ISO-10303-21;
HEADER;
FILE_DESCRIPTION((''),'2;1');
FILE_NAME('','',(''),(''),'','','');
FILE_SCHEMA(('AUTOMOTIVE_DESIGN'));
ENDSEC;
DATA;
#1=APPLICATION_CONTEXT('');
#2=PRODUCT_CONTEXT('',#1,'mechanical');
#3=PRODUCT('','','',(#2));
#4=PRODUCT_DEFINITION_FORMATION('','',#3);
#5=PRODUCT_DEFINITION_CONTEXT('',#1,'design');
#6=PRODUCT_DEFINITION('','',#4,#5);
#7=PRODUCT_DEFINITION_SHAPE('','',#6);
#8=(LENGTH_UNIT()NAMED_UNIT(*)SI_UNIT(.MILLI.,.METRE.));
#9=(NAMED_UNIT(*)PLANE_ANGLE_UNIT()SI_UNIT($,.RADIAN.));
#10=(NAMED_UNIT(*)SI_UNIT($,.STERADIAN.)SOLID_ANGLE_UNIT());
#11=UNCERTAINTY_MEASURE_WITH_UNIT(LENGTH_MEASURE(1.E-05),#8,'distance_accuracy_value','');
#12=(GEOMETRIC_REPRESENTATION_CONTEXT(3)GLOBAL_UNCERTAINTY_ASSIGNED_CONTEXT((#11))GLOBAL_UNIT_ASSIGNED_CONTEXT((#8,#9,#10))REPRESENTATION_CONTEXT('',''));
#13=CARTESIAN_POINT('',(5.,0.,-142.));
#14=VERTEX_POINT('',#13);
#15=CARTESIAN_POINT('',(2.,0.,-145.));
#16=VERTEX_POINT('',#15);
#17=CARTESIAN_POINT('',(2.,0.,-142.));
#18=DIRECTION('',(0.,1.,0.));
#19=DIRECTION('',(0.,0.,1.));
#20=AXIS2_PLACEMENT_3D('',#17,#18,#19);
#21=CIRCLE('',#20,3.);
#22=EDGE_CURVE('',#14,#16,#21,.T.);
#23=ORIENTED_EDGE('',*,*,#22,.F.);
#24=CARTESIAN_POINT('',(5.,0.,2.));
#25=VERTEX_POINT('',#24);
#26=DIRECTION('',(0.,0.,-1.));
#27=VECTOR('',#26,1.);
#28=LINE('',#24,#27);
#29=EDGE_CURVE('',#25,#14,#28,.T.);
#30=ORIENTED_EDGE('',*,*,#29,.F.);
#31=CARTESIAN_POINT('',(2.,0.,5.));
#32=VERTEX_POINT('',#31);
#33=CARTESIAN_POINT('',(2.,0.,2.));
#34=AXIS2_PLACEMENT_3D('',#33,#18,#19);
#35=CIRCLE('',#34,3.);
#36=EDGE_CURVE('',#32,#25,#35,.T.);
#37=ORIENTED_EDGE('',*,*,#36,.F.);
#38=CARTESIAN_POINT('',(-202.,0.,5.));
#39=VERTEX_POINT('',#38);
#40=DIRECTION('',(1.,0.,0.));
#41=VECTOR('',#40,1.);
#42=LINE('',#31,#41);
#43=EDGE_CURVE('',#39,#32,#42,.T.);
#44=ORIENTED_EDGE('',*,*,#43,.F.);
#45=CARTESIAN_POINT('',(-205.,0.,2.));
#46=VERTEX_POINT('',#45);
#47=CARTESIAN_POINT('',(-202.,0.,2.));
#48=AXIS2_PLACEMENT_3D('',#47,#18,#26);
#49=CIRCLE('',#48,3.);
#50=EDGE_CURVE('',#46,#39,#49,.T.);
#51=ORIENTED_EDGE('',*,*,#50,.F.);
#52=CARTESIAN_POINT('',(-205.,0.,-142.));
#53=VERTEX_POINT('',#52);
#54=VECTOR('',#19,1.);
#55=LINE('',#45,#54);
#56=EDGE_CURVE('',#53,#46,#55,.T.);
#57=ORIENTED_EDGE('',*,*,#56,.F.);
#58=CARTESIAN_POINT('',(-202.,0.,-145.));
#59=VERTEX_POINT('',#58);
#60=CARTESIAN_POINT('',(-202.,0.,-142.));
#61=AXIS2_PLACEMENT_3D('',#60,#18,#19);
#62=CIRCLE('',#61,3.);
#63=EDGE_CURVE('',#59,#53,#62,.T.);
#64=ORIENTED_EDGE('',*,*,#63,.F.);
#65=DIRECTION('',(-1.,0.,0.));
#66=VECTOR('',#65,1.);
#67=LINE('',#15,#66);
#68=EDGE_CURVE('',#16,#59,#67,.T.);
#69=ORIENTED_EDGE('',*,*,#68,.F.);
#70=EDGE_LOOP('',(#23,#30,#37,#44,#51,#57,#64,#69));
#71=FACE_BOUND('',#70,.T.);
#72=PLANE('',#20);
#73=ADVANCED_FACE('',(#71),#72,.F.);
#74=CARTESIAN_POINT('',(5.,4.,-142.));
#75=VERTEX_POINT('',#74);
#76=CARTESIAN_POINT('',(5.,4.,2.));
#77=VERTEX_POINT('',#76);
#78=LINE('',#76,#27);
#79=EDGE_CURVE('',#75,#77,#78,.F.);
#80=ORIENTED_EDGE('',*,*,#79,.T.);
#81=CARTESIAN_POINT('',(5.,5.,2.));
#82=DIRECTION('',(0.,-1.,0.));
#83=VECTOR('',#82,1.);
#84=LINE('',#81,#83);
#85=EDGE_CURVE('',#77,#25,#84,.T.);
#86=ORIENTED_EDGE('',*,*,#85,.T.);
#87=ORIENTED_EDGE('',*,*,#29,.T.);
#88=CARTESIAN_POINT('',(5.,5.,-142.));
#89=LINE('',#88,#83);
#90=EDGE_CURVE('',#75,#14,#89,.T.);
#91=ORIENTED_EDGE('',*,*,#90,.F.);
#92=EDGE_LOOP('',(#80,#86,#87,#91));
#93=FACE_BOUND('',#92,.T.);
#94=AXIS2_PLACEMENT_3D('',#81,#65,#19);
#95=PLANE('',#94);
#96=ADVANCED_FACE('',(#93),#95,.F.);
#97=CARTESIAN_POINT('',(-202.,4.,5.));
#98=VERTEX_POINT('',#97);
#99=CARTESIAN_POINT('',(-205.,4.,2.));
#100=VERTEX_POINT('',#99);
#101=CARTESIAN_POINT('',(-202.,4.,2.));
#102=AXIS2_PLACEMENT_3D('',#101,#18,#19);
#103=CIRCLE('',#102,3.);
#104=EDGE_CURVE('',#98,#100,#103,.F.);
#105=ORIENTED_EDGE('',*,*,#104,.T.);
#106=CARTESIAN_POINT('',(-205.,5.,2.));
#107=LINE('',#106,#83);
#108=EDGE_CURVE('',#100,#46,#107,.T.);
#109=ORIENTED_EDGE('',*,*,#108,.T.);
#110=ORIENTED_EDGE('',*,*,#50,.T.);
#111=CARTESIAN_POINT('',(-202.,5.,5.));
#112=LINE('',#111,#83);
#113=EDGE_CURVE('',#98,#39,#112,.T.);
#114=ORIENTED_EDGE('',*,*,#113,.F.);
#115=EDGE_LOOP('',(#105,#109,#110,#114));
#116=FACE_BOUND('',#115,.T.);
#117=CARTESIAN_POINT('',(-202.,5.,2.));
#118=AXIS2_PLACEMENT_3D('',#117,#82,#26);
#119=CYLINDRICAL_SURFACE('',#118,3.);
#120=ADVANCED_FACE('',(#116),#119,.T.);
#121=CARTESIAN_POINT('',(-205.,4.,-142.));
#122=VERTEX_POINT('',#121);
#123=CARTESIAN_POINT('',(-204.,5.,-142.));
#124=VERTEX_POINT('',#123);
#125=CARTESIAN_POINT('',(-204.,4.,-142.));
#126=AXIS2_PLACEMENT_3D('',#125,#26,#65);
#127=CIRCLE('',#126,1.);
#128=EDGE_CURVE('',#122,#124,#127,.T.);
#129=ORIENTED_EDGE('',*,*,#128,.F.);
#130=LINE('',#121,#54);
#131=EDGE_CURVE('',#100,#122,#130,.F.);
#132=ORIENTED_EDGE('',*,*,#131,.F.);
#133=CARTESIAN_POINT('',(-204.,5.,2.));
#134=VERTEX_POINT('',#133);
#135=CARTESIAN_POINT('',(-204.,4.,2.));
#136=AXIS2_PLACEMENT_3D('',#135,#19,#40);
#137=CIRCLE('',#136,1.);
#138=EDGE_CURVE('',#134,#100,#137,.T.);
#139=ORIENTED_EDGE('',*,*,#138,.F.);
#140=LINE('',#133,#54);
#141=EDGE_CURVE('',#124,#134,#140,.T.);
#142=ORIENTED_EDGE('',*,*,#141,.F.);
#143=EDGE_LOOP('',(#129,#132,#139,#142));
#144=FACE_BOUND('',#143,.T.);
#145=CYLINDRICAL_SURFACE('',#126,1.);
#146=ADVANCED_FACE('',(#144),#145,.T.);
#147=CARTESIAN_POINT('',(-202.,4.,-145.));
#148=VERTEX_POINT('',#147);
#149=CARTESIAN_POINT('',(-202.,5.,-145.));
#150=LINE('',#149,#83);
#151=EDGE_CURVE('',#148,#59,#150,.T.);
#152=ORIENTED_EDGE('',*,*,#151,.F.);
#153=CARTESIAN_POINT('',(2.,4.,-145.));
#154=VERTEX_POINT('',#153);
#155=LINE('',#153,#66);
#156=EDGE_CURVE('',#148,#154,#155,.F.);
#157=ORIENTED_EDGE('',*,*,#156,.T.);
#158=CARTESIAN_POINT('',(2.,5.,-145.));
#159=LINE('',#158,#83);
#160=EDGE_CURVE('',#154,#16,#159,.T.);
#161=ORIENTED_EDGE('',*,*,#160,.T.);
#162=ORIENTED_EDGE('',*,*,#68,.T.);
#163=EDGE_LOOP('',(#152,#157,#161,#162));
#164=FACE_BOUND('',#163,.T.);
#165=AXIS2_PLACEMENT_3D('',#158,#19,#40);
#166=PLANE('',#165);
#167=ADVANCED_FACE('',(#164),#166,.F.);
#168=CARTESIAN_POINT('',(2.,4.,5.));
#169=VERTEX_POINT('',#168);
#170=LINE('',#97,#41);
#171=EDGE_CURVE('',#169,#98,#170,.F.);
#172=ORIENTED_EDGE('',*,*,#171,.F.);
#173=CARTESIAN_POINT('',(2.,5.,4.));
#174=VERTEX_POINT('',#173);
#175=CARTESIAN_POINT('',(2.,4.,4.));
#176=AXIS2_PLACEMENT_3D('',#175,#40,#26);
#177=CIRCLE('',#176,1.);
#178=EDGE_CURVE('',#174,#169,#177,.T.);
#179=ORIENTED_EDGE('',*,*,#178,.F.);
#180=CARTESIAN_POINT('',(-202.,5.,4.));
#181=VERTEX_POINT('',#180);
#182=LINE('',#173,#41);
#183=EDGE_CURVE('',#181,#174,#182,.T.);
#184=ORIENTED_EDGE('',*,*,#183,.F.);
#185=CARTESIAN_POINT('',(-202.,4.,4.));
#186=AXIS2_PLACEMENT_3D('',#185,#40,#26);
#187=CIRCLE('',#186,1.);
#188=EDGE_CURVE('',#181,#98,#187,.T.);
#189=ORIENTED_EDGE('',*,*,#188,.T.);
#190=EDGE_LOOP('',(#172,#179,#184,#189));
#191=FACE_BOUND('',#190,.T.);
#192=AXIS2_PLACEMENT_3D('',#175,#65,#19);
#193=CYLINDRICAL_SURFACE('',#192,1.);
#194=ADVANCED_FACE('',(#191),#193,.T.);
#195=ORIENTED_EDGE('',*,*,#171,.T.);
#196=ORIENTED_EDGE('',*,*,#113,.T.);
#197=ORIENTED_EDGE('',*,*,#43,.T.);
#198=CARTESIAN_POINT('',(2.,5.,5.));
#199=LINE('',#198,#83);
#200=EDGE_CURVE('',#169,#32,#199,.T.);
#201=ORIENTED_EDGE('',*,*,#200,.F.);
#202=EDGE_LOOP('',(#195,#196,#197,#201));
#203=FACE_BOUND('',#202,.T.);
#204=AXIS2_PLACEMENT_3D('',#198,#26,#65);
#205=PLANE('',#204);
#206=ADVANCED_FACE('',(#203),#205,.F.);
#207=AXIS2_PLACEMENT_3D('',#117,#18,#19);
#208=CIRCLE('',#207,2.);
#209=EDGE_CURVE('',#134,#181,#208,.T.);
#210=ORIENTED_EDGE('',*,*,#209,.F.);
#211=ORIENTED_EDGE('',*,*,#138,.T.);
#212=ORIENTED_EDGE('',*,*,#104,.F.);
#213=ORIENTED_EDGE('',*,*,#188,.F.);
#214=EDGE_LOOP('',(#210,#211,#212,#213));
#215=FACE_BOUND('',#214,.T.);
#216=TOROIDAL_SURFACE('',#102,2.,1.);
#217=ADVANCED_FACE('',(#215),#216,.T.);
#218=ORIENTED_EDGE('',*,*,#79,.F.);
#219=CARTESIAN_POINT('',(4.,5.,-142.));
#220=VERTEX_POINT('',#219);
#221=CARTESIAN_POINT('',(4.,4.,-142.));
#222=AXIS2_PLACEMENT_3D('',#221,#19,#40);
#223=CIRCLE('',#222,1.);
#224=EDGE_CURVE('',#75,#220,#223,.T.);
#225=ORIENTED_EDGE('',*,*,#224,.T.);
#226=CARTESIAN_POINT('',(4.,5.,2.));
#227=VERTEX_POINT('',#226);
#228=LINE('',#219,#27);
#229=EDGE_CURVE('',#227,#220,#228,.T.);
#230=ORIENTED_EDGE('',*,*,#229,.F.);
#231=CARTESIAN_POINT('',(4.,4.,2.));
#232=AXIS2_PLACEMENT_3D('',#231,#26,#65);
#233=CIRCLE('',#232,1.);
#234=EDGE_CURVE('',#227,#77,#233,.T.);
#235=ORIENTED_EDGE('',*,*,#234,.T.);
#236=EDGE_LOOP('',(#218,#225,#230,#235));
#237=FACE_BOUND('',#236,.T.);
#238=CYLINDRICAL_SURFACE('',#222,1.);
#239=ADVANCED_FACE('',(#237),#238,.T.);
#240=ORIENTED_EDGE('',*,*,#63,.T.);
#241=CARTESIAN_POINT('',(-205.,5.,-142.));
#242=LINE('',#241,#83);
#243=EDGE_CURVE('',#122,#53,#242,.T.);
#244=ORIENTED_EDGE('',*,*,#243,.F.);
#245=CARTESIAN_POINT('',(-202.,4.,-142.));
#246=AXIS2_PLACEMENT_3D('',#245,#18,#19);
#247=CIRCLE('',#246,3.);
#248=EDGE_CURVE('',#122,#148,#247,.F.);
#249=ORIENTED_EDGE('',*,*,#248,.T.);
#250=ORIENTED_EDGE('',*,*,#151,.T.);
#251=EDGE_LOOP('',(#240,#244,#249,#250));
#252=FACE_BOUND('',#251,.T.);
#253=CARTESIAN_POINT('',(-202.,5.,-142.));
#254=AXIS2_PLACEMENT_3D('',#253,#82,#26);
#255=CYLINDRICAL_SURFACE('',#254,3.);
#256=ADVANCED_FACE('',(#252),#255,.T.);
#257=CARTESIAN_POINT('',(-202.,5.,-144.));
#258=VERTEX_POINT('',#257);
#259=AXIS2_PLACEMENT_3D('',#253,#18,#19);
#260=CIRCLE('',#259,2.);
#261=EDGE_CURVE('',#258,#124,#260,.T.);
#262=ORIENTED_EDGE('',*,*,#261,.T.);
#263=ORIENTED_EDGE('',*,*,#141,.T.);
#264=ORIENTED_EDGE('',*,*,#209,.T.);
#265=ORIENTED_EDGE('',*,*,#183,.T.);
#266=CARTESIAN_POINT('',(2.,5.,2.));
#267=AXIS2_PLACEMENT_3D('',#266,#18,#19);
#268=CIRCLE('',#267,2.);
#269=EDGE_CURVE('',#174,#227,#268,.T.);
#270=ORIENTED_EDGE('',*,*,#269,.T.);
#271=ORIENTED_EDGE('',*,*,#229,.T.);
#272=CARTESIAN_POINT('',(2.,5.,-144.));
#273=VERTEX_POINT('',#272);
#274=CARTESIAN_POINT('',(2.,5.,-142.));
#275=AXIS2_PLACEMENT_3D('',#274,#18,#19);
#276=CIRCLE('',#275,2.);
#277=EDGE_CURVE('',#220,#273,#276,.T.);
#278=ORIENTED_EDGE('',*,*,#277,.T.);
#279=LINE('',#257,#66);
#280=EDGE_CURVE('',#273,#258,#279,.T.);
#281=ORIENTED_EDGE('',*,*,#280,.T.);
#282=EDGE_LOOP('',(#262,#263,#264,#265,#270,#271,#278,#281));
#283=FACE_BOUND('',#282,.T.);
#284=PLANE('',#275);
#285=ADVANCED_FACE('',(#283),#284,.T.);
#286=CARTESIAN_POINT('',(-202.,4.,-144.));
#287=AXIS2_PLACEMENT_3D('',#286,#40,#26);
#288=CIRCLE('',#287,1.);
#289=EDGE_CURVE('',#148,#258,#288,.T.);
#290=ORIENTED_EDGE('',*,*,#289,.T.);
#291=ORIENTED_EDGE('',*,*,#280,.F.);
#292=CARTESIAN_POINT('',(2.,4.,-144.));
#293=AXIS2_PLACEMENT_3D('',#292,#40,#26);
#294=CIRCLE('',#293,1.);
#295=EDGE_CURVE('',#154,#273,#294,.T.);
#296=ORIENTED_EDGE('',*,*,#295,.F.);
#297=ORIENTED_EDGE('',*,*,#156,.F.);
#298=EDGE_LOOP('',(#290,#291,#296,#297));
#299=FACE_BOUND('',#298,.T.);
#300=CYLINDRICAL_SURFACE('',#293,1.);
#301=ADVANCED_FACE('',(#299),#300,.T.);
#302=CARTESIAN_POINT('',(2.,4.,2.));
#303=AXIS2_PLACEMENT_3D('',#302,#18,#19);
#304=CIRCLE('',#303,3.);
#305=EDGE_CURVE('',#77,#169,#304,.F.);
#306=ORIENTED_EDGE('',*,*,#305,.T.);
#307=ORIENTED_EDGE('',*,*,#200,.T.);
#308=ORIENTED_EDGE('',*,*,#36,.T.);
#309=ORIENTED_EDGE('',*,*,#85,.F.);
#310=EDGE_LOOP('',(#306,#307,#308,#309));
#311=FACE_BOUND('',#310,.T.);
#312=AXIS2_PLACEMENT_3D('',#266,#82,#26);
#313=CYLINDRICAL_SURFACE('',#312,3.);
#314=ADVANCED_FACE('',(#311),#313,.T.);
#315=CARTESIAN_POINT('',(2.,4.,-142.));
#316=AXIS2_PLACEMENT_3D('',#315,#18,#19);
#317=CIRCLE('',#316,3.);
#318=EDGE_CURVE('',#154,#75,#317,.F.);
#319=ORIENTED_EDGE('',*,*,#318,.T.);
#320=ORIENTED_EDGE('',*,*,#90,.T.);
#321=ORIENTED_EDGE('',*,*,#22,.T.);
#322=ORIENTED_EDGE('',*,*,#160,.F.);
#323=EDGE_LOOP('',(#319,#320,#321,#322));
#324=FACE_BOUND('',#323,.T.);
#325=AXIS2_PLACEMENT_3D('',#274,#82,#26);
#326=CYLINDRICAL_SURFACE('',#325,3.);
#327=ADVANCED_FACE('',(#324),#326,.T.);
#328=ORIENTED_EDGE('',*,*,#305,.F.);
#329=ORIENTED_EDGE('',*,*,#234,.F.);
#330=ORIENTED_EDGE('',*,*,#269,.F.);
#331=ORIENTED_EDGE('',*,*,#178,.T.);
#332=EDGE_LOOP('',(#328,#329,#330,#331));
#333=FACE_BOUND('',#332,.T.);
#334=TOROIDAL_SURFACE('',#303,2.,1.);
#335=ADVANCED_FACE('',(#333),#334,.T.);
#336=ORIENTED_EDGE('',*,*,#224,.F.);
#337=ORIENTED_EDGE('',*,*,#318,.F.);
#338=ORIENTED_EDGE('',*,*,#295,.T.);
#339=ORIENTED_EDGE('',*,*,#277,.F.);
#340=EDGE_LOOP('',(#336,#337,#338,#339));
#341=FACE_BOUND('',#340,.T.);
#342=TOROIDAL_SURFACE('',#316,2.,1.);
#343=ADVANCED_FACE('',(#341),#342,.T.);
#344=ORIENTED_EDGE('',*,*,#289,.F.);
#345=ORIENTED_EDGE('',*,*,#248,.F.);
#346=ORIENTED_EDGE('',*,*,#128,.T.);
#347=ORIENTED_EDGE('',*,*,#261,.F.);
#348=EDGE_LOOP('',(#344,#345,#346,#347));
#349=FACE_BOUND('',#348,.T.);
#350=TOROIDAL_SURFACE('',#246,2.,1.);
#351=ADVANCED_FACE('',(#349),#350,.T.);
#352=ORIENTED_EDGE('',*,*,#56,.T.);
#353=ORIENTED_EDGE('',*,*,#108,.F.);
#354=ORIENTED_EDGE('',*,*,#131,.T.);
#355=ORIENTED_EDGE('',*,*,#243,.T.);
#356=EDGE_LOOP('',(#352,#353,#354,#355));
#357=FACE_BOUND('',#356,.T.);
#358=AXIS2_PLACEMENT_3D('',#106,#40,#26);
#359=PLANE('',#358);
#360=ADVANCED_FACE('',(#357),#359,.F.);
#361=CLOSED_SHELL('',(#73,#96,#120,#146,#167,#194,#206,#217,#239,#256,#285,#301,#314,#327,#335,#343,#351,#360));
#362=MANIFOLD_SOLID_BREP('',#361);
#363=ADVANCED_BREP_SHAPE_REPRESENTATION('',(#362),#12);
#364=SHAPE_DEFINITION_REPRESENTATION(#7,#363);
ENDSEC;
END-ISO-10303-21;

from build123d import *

# Parameters (mm, degrees)
BOSS_EXTRUDE1_DEPTH = 5
FILLET1_R           = 1


with BuildPart() as part:
    # Sketch1 → Boss-Extrude1 (new body)
    with BuildSketch(Plane(origin=(0, 0, 0), x_dir=(-1, 0, 0), z_dir=(0, 1, 0))):
        with BuildLine():
            Line((-2, 5), (202, 5))
            ThreePointArc((202, 5), (204.121320344, 4.121320344), (205, 2))
            Line((205, 2), (205, -142))
            ThreePointArc((205, -142), (204.121320344, -144.121320344), (202, -145))
            Line((202, -145), (-2, -145))
            ThreePointArc((-2, -145), (-4.121320344, -144.121320344), (-5, -142))
            Line((-5, -142), (-5, 2))
            ThreePointArc((-5, 2), (-4.121320344, 4.121320344), (-2, 5))
        make_face()
    extrude(amount=BOSS_EXTRUDE1_DEPTH)

    # Fillet1
    fillet1_edges = [part.edges().sort_by_distance(p)[0] for p in [
        (-204.121320344, 5, -144.121320344),
        (-205, 5, -70),
        (-204.121320344, 5, 4.121320344),
        (-100, 5, 5),
        (4.121320344, 5, 4.121320344),
        (5, 5, -70),
        (4.121320344, 5, -144.121320344),
        (-100, 5, -145),
    ]]
    fillet(fillet1_edges, radius=FILLET1_R)


solid = part.part
